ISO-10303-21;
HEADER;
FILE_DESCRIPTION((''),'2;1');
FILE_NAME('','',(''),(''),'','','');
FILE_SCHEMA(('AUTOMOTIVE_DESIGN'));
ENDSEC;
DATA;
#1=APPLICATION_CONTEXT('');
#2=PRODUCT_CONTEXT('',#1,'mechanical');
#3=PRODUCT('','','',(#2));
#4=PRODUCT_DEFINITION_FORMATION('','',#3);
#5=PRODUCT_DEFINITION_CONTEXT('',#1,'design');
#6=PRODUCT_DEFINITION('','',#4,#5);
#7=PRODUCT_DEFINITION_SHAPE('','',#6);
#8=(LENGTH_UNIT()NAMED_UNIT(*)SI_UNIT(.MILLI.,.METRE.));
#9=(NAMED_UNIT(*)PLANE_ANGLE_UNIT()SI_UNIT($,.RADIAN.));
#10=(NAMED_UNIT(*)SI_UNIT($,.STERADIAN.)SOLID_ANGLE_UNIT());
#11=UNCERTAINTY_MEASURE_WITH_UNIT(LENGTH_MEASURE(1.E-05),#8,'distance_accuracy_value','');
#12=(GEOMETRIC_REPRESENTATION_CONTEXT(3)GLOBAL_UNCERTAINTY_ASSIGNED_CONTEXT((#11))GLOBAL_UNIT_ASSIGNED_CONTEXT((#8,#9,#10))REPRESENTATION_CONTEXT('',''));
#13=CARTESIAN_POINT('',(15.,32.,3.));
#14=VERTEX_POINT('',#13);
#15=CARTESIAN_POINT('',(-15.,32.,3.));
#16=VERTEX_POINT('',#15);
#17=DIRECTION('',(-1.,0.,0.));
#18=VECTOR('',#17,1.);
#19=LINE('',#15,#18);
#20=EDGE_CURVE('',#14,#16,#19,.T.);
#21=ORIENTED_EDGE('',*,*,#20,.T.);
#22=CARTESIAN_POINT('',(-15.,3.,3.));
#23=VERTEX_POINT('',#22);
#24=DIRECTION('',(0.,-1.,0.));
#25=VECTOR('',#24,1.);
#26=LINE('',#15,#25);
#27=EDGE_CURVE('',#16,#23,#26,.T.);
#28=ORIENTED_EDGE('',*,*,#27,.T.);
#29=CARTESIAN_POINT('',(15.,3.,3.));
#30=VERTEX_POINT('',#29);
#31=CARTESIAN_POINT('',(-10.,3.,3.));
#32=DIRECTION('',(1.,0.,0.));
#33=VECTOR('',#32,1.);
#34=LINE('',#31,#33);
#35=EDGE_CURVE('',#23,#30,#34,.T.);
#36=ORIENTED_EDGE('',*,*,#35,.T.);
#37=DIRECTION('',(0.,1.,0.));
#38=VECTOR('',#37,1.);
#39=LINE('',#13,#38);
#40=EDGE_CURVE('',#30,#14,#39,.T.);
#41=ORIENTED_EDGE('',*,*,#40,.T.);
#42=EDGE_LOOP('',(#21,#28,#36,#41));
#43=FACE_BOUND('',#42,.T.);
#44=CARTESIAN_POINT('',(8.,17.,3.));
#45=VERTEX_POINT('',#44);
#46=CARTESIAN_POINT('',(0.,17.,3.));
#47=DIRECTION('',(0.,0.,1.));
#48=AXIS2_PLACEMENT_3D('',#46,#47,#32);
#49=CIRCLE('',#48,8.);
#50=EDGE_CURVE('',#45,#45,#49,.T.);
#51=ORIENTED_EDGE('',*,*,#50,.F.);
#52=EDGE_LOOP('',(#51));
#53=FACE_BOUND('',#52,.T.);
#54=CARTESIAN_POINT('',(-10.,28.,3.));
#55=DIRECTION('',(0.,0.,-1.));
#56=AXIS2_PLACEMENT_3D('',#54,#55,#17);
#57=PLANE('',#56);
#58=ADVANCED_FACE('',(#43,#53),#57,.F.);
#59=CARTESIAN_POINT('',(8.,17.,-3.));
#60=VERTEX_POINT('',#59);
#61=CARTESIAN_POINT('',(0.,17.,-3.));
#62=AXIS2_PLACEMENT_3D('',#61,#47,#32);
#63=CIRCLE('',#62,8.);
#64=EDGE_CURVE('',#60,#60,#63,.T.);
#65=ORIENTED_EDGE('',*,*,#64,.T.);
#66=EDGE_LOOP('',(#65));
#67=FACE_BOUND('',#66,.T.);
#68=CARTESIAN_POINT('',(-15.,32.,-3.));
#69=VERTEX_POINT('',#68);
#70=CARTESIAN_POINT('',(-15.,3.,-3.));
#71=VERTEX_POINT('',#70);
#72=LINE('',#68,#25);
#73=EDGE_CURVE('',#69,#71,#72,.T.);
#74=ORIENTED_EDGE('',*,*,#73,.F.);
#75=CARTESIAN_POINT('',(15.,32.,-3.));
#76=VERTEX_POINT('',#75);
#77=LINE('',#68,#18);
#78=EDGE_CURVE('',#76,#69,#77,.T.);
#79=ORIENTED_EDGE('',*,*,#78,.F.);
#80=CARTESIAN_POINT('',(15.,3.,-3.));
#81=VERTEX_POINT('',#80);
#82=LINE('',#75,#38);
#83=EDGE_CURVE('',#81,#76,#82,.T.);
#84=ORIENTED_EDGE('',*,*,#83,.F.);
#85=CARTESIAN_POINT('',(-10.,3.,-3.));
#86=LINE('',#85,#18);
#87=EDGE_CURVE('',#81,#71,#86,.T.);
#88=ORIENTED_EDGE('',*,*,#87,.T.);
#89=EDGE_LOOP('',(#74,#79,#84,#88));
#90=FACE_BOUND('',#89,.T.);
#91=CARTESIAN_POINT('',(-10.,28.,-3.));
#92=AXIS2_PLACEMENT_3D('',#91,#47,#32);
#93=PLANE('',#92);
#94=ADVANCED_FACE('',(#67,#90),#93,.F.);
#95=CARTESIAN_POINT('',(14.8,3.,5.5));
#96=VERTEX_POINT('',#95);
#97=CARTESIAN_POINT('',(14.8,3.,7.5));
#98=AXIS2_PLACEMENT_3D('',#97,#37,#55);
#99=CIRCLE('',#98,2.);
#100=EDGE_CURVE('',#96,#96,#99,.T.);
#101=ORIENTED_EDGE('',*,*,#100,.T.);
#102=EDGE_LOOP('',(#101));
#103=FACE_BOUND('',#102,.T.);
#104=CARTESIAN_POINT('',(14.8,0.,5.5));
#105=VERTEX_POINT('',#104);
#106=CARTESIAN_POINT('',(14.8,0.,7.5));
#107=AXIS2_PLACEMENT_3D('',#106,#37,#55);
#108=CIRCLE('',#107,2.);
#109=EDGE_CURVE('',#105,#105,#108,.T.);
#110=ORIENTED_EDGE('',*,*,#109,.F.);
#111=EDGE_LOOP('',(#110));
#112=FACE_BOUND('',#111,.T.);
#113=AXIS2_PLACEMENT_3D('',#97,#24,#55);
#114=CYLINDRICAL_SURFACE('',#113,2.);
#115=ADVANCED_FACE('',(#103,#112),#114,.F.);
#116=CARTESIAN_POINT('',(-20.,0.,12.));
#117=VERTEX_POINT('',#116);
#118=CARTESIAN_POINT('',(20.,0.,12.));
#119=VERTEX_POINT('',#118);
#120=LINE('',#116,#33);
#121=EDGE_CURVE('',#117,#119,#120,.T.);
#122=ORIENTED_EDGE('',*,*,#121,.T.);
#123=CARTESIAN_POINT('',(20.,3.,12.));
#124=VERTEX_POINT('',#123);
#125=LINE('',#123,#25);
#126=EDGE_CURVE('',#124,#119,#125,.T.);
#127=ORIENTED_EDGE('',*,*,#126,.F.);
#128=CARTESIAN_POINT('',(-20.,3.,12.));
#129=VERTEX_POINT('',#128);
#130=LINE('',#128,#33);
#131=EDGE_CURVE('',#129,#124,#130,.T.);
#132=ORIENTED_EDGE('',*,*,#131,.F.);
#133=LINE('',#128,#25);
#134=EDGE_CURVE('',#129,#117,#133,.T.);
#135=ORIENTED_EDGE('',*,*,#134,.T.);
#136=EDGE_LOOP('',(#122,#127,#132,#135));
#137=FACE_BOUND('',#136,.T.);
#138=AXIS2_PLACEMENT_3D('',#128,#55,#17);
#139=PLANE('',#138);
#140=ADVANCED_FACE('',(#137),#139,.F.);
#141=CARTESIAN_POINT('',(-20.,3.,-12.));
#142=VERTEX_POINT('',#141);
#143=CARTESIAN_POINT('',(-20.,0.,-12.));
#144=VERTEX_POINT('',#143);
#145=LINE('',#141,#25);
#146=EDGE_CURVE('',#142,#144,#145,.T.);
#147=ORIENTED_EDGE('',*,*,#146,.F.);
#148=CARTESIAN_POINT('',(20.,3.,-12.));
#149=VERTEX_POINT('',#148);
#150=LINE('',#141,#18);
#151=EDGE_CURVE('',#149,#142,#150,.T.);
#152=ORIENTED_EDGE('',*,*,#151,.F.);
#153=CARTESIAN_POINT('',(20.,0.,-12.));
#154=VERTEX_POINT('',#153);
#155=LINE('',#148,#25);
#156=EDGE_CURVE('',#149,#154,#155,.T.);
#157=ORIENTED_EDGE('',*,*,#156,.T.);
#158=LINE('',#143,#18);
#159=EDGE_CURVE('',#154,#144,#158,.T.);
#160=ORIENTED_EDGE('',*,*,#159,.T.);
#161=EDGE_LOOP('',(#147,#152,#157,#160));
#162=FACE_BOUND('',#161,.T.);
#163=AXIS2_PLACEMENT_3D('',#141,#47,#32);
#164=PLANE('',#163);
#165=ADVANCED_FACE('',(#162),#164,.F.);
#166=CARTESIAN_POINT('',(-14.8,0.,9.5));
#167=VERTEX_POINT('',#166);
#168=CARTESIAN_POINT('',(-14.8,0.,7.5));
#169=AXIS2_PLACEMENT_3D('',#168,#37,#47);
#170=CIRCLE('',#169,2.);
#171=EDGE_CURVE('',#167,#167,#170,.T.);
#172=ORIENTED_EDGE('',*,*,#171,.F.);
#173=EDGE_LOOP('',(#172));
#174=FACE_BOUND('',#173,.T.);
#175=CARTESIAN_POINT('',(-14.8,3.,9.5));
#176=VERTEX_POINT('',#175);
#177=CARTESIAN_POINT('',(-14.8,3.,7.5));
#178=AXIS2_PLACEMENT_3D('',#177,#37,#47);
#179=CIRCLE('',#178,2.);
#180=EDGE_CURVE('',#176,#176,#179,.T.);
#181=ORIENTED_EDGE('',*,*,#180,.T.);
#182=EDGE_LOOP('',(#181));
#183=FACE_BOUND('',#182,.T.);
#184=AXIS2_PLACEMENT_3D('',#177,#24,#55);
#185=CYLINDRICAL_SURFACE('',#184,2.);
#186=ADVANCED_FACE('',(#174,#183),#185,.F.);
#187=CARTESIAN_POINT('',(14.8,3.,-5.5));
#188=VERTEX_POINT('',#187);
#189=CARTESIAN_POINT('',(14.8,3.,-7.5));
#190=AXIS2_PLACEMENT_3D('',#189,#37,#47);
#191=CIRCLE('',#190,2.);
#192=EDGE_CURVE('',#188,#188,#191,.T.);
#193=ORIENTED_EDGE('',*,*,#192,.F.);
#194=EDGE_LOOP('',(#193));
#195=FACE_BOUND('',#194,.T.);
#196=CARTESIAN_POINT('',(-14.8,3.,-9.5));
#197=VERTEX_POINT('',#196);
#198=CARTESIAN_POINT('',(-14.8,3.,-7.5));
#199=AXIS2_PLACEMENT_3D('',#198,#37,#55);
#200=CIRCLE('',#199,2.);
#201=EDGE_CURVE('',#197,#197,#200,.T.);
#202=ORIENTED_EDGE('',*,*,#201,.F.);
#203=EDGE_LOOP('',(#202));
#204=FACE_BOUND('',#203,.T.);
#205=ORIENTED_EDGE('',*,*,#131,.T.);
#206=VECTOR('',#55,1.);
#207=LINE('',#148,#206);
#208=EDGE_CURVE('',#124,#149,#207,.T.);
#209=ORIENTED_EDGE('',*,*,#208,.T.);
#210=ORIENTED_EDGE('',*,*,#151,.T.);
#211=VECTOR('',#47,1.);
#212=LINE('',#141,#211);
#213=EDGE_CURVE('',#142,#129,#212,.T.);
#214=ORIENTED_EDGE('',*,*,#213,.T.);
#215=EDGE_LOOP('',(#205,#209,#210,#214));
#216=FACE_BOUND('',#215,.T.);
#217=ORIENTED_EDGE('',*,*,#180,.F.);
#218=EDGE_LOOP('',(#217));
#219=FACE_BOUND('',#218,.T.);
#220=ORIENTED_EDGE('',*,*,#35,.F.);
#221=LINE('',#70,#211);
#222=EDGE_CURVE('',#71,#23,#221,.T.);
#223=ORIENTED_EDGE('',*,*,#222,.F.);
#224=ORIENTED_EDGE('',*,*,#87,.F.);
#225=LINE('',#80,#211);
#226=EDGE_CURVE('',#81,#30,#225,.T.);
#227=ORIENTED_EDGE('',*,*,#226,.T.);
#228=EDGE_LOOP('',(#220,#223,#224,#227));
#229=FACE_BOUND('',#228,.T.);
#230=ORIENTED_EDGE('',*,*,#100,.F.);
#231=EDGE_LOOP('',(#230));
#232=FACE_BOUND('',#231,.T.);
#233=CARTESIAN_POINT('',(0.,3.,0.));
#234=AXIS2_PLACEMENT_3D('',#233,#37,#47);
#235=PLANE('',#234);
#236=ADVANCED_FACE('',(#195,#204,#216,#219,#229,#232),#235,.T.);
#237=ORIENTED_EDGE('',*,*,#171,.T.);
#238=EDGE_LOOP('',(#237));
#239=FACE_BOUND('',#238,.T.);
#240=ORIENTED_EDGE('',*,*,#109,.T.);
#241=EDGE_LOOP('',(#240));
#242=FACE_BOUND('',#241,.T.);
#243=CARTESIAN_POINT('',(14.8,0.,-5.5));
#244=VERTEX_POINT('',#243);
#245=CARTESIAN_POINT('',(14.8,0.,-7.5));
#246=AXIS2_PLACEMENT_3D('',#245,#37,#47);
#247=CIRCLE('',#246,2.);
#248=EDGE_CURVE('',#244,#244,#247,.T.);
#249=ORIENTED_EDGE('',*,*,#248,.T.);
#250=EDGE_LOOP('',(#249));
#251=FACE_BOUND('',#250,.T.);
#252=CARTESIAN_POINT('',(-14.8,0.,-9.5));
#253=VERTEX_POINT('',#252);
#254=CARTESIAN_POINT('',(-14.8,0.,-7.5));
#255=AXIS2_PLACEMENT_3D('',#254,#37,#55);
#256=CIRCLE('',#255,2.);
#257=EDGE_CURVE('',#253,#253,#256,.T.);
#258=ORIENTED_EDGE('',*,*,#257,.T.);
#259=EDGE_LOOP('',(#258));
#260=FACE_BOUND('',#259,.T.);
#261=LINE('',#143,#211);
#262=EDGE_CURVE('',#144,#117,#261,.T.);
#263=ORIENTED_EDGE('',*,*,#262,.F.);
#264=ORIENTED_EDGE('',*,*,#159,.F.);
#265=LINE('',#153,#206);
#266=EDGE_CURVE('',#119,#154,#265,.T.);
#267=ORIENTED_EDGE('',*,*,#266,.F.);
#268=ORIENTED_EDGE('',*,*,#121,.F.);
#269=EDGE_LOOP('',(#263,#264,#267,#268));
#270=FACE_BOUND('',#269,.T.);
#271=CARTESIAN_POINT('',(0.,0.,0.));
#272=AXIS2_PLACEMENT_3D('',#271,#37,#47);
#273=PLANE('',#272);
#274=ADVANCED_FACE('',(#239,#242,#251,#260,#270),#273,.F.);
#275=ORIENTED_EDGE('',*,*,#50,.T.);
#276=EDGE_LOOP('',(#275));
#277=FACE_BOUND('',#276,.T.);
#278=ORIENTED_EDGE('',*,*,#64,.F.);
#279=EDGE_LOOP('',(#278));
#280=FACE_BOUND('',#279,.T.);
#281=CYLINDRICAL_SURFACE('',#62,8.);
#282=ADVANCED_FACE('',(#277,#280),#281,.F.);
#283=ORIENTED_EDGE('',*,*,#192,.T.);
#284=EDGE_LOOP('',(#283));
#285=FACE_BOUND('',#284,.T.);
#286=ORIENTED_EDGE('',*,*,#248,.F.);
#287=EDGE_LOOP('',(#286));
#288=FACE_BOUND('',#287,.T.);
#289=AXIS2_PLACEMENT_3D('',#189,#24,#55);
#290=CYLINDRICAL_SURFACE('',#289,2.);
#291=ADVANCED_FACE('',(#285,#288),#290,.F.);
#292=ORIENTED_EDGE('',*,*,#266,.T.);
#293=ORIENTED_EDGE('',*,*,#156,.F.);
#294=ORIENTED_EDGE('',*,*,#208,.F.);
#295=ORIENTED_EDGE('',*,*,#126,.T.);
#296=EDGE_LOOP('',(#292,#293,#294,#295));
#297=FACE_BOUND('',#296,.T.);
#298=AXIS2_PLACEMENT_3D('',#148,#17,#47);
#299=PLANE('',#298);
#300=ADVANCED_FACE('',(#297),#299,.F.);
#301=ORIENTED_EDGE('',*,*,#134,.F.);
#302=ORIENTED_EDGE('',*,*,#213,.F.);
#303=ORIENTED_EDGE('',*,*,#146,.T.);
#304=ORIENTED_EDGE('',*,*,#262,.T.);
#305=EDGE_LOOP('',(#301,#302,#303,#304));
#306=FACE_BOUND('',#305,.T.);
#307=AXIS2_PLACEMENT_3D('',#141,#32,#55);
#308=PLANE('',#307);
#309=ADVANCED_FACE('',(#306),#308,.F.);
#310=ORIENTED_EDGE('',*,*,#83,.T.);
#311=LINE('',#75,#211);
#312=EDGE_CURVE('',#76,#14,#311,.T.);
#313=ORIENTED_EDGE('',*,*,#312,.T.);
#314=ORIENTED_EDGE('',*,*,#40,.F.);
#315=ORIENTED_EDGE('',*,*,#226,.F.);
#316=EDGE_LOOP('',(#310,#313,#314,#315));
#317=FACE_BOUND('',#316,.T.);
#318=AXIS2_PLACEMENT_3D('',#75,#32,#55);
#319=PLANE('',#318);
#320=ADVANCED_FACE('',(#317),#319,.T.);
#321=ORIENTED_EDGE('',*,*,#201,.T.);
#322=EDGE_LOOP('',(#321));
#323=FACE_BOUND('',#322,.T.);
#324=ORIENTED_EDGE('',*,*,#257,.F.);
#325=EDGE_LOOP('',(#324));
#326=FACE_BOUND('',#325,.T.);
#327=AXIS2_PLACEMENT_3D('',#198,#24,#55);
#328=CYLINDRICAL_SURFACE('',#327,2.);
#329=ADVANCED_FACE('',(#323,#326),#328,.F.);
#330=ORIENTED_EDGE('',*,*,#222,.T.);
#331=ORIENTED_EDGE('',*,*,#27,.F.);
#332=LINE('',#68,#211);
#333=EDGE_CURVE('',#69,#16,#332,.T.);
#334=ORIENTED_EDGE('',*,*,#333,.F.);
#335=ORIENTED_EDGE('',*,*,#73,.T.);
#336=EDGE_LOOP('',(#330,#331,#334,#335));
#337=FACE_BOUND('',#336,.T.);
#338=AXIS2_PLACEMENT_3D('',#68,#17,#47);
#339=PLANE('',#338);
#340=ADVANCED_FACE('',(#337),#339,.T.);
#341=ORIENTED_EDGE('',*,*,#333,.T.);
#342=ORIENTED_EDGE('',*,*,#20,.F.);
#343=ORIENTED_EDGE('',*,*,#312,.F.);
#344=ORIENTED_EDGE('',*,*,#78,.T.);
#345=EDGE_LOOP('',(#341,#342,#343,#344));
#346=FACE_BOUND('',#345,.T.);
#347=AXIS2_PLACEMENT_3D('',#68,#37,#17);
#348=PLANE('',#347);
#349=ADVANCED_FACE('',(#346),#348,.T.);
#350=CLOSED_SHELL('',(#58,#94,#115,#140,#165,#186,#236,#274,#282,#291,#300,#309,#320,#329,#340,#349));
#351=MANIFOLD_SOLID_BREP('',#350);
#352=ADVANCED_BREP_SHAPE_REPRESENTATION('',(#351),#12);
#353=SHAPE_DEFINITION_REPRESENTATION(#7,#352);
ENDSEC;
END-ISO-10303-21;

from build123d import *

# Parameters (mm, degrees)
SKETCH_1_W          = 40
SKETCH_1_H          = 24
SKETCH_1_R          = 2
EXTRUDE_1_DEPTH     = 3
SKETCH_2_W          = 20
SKETCH_2_H          = 6
EXTRUDE_2_DEPTH     = 25
SKETCH_3_R          = 7.9375
CUT_EXTRUDE_1_DEPTH = 10
EXTRUDE_4_DEPTH     = 6
SKETCH_5_R          = 8
CUT_EXTRUDE_2_DEPTH = 6


with BuildPart() as part:
    # 草图1 → 凸台-拉伸1 (new body)
    with BuildSketch(Plane(origin=(0, 0, 0), x_dir=(1, 0, 0), z_dir=(0, 1, 0))):
        Rectangle(SKETCH_1_W, SKETCH_1_H)
        with Locations((-14.8, -7.5)):
            Circle(SKETCH_1_R, mode=Mode.SUBTRACT)
        with Locations((14.8, -7.5)):
            Circle(SKETCH_1_R, mode=Mode.SUBTRACT)
        with Locations((-14.8, 7.5)):
            Circle(SKETCH_1_R, mode=Mode.SUBTRACT)
        with Locations((14.8, 7.5)):
            Circle(SKETCH_1_R, mode=Mode.SUBTRACT)
    extrude(amount=EXTRUDE_1_DEPTH)

    # 草图2 → 凸台-拉伸2 (add)
    with BuildSketch(Plane(origin=(0, 3, 0), x_dir=(1, 0, 0), z_dir=(0, 1, 0))):
        Rectangle(SKETCH_2_W, SKETCH_2_H)
    extrude(amount=EXTRUDE_2_DEPTH)

    # 草图3 → 切除-拉伸1 (cut)
    with BuildSketch(Plane.XY.offset(3)):
        with Locations((0, 17)):
            Circle(SKETCH_3_R)
    extrude(amount=-CUT_EXTRUDE_1_DEPTH, mode=Mode.SUBTRACT)

    # 草图4 → 凸台-拉伸4 (add)
    with BuildSketch(Plane.XY.offset(3)):
        Polygon((-15, 32), (-15, 3), (-10, 3), (-10, 28), (10, 28), (10, 3), (15, 3), (15, 32), align=None)
    extrude(amount=-EXTRUDE_4_DEPTH)

    # 草图5 → 切除-拉伸2 (cut)
    with BuildSketch(Plane.XY.offset(3)):
        with Locations((0, 17)):
            Circle(SKETCH_5_R)
    extrude(amount=-CUT_EXTRUDE_2_DEPTH, mode=Mode.SUBTRACT)


solid = part.part
